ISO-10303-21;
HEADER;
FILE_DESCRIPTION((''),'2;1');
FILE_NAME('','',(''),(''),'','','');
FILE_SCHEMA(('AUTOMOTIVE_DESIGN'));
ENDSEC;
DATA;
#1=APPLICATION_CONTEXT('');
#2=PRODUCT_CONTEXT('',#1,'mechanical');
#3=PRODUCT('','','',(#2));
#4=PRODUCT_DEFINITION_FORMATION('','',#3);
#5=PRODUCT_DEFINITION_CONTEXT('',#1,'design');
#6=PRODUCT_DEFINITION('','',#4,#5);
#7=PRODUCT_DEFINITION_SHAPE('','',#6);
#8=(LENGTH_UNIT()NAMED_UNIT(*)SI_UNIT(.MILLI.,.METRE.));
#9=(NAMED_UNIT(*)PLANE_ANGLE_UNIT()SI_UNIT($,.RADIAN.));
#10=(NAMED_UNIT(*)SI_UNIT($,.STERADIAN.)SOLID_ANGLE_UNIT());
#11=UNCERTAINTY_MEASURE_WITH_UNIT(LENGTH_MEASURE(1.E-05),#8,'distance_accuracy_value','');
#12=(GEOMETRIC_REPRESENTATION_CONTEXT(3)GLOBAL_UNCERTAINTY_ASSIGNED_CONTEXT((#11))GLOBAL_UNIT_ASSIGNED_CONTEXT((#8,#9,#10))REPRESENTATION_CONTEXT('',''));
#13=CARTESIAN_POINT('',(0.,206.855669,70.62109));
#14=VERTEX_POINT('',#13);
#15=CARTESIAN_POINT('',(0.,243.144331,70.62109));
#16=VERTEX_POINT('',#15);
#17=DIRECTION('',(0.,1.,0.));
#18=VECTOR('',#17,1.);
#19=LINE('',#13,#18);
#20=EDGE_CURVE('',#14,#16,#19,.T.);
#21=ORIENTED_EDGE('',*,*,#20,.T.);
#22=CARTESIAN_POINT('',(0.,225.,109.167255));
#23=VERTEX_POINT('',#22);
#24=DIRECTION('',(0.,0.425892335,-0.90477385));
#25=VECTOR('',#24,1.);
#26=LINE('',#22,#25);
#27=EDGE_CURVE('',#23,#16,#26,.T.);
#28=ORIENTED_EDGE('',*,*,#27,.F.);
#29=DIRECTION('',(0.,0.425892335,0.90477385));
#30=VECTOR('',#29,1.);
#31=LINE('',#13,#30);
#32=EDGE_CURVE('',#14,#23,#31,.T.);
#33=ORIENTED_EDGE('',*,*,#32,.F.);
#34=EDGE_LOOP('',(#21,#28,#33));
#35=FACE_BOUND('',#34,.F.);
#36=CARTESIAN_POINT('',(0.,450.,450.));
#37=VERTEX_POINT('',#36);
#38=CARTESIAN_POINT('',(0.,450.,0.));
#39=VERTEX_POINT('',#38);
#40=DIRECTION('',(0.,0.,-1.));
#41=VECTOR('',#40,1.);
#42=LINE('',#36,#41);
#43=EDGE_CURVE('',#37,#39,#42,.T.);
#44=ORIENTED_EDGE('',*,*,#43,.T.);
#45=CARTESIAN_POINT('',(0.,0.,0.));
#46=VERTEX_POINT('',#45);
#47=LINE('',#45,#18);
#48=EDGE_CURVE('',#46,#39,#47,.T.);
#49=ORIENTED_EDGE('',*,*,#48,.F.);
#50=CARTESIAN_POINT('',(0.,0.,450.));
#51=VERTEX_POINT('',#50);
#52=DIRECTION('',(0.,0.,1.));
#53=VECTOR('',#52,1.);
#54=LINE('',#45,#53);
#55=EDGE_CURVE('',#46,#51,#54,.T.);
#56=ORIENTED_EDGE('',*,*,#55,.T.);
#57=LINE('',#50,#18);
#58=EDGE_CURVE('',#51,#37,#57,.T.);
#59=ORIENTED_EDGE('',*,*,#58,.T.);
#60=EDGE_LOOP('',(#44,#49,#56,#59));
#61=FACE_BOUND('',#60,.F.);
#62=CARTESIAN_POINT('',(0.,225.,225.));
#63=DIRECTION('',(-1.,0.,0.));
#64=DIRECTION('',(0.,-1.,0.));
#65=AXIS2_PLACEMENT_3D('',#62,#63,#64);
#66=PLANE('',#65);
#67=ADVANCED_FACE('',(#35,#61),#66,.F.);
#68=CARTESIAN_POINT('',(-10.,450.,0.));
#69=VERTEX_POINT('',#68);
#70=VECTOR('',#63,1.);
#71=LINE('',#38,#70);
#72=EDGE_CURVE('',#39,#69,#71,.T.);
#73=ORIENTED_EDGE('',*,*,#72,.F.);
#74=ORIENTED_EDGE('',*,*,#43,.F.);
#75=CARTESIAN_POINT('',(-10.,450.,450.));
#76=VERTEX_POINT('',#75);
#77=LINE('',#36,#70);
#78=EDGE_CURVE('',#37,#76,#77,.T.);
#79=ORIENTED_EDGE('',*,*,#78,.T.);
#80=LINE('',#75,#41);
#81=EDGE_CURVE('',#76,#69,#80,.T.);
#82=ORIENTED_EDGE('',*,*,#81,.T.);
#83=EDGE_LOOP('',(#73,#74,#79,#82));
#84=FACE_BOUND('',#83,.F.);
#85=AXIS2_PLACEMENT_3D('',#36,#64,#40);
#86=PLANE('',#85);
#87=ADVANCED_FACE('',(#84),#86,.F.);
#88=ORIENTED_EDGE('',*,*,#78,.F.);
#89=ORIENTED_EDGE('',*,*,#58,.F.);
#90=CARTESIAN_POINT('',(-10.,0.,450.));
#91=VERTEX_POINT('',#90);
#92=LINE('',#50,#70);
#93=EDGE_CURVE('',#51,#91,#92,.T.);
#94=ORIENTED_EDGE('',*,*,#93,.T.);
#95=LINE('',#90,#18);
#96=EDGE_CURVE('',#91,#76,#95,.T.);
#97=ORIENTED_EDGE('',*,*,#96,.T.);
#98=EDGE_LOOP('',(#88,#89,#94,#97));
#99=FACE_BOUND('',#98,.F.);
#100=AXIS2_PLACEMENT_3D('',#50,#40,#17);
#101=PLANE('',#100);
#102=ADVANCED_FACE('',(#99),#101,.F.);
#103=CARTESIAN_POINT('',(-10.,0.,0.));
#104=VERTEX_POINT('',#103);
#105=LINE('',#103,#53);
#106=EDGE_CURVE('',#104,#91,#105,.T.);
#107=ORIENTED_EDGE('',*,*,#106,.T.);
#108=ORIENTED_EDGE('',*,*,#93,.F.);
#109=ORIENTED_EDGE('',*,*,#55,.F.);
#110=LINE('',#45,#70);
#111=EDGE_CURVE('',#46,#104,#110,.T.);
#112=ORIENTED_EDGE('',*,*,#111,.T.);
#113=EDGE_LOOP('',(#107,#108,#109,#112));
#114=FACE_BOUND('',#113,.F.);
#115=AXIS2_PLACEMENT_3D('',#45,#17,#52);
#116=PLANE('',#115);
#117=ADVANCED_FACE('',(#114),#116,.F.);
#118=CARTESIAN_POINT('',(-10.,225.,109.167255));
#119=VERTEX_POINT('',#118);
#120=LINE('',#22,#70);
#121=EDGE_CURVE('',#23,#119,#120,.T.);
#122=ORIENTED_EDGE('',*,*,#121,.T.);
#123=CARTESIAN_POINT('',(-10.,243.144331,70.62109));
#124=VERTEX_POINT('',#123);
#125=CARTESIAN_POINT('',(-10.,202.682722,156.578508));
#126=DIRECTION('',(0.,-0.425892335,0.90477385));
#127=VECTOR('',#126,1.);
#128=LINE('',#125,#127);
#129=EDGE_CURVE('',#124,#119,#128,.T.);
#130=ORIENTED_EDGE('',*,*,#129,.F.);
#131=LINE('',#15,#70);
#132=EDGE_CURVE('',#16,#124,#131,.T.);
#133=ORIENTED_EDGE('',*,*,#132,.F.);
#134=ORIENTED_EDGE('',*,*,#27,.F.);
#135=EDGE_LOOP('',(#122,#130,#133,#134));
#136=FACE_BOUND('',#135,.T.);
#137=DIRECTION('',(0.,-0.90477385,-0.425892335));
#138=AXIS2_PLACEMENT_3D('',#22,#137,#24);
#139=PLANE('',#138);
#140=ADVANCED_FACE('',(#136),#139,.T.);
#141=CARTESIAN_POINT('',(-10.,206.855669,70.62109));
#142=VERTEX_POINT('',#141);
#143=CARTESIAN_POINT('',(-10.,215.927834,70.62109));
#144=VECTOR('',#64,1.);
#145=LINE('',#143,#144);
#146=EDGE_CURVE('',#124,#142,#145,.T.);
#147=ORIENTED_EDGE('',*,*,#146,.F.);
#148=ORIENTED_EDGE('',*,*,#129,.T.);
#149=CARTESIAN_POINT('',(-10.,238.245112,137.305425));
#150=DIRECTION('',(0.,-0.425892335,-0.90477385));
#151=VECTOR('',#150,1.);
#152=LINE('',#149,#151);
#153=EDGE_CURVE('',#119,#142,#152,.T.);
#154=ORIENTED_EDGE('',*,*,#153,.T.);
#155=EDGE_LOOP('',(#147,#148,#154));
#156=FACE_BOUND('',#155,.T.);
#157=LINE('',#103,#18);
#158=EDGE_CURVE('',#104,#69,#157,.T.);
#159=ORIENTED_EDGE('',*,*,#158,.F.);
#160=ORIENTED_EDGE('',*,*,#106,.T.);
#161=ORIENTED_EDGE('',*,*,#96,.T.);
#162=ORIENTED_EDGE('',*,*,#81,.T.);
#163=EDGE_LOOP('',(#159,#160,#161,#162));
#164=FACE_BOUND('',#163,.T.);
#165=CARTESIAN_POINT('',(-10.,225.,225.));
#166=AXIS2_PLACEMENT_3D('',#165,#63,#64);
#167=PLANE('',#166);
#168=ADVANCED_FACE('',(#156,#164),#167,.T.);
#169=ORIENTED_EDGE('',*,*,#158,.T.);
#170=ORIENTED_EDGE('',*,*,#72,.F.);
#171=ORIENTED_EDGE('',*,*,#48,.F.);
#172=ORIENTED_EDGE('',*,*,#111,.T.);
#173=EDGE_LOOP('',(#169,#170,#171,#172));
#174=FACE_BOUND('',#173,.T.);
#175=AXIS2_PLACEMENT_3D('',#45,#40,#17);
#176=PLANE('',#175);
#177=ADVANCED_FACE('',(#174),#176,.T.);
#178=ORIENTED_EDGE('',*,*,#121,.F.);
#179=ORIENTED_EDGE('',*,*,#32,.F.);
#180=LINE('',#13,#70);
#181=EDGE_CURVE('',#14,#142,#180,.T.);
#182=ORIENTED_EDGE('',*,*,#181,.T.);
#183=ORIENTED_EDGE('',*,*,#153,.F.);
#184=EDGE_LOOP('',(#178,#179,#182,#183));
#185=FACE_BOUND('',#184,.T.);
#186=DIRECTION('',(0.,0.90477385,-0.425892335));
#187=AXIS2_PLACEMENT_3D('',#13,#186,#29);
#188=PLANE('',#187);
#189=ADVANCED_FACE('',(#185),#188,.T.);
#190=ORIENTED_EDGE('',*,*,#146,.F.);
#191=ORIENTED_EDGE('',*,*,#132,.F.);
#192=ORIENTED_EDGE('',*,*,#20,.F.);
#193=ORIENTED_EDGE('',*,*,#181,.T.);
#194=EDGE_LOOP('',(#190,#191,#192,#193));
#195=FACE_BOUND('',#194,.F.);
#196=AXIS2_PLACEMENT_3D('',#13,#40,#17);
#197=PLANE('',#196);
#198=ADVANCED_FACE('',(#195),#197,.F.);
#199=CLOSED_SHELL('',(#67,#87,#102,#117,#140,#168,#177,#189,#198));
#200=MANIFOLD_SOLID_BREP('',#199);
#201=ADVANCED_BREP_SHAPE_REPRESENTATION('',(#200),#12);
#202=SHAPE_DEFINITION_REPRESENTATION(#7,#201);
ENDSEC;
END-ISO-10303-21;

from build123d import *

# Parameters (mm, degrees)
PAD_DEPTH    = 10
POCKET_DEPTH = 10.001


with BuildPart() as part:
    # Sketch → Pad (new body)
    with BuildSketch(Plane.YZ):
        Polygon((0, 0), (0, 450), (450, 450), (450, 0), (225, 0), align=None)
    extrude(amount=-PAD_DEPTH)

    # Sketch001 → Pocket (cut, through all)
    with BuildSketch(Plane.YZ):
        Polygon((225, 70.62109), (206.855669, 70.62109), (225, 109.167255), (243.144331, 70.62109), align=None)
    extrude(amount=-POCKET_DEPTH, mode=Mode.SUBTRACT)


solid = part.part
